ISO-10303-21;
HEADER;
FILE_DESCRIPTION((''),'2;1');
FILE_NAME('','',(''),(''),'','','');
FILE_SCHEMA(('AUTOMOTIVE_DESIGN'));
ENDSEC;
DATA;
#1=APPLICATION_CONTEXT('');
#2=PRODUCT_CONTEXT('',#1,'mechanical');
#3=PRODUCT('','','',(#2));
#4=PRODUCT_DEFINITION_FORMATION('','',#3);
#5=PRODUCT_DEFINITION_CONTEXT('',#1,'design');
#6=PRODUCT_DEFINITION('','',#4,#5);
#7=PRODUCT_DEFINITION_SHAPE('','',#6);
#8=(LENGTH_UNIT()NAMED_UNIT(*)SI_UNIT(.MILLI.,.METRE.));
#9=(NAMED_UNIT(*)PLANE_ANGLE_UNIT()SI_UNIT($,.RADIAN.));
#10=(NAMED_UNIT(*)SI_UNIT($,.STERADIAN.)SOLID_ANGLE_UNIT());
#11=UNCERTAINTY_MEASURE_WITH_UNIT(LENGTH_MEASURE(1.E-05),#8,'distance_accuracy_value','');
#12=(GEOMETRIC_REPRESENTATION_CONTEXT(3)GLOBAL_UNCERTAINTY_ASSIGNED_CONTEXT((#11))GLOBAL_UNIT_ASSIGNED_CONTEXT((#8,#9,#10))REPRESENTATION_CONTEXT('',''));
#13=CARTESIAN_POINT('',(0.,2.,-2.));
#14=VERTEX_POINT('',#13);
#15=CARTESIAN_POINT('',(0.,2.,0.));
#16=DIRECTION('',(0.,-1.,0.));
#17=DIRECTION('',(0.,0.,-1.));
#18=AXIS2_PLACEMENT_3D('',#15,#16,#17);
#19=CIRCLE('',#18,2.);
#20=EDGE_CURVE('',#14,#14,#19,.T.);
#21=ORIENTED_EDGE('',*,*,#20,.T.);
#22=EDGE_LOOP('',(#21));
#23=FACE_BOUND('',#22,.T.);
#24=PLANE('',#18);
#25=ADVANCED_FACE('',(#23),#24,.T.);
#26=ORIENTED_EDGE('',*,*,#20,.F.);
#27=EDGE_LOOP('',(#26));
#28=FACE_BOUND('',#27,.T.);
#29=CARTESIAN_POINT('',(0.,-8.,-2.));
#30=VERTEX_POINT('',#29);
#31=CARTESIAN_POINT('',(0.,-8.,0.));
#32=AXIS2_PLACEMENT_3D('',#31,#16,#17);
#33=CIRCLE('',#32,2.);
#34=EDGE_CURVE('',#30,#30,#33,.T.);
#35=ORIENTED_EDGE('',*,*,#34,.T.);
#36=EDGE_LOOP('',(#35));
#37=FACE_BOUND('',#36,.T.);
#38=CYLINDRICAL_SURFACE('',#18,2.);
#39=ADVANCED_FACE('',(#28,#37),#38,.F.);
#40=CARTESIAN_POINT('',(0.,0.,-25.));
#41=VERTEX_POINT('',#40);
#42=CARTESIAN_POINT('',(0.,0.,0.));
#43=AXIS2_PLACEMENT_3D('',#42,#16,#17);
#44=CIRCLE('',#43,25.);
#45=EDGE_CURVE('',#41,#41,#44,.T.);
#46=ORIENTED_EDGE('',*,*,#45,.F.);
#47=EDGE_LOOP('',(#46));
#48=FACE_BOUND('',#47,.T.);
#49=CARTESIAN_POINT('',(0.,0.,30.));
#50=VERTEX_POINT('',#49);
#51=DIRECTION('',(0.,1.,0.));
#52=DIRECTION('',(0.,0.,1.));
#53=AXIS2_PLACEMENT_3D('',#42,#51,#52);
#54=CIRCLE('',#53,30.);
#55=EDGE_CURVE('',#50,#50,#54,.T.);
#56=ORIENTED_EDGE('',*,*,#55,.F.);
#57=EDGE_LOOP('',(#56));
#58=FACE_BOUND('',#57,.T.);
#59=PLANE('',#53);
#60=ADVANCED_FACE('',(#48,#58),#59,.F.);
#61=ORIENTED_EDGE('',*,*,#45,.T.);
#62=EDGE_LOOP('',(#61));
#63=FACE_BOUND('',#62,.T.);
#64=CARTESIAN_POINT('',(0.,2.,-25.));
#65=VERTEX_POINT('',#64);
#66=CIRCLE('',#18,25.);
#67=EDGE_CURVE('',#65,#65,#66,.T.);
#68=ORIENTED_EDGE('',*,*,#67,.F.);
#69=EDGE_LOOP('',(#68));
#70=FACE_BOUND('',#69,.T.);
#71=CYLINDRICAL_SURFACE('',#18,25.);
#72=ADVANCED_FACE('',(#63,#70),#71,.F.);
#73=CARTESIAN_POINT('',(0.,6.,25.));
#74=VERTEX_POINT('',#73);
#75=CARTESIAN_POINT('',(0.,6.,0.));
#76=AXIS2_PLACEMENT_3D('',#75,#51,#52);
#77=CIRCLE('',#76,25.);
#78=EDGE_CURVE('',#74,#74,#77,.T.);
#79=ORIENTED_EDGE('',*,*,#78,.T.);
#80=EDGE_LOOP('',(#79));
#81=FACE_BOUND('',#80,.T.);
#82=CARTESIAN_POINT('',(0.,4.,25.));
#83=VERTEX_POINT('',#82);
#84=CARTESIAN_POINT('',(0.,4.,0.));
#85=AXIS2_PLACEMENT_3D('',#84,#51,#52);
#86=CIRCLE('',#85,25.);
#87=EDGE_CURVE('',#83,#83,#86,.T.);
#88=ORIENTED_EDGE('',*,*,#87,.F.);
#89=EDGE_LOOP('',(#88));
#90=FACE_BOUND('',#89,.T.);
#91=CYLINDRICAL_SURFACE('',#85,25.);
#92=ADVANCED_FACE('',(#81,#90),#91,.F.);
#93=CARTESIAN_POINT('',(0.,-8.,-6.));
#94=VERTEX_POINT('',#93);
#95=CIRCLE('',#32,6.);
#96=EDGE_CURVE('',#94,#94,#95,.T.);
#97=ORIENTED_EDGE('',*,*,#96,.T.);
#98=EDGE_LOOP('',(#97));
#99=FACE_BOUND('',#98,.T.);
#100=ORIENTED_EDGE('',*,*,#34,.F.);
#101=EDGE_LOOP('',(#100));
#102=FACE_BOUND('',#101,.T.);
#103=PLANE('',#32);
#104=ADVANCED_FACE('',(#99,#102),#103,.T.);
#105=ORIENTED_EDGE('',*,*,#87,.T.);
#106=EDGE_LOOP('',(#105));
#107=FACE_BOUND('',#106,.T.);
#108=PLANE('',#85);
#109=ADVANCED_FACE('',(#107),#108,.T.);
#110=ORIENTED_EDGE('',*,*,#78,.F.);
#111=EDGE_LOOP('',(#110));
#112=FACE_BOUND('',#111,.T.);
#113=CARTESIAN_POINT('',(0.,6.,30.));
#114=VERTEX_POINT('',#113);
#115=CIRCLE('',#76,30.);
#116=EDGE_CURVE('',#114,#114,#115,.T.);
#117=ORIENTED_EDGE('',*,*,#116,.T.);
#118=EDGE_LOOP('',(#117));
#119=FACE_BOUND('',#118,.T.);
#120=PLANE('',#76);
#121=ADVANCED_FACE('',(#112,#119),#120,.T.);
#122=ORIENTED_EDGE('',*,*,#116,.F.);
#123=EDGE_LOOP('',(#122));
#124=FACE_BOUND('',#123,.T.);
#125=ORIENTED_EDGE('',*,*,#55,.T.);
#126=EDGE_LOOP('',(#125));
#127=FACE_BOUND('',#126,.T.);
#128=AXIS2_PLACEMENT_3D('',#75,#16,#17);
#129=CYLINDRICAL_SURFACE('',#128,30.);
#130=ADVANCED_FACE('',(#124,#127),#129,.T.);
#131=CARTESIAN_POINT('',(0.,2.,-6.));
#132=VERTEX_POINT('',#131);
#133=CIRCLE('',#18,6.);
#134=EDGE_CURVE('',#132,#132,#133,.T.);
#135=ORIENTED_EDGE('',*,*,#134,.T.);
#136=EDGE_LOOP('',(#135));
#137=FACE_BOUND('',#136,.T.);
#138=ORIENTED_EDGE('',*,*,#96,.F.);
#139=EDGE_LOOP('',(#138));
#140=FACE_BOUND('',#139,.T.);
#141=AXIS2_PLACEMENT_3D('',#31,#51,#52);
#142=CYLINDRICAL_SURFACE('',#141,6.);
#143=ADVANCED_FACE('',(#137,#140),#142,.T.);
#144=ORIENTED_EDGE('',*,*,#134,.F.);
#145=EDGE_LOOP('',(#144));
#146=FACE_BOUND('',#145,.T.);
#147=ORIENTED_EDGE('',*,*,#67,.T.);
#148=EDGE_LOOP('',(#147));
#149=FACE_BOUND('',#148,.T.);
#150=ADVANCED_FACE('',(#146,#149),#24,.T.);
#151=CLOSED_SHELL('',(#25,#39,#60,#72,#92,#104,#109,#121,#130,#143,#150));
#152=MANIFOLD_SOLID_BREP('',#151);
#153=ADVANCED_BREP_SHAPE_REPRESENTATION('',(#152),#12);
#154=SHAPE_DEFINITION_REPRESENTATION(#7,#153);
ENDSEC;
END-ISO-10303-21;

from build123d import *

# Parameters (mm, degrees)
SKETCH_1_R          = 30
EXTRUDE_3_DEPTH     = 6
SKETCH_6_R          = 25
CUT_EXTRUDE_1_DEPTH = 2
CUT_EXTRUDE_START   = 4
SKETCH_4_R          = 25
CUT_EXTRUDE_2_DEPTH = 2
SKETCH_8_R          = 6
EXTRUDE_5_DEPTH     = 10
SKETCH_10_R         = 2
CUT_EXTRUDE_6_DEPTH = 10


with BuildPart() as part:
    # 草图1 → 凸台-拉伸3 (new body)
    with BuildSketch(Plane(origin=(0, 0, 0), x_dir=(1, 0, 0), z_dir=(0, 1, 0))):
        with Locations(Location((0, 0, 0), (0, 0, 270))):
            Circle(SKETCH_1_R)
    extrude(amount=EXTRUDE_3_DEPTH)

    # 草图6 → 切除-拉伸1 (cut)
    with BuildSketch(Plane.XZ):
        with Locations(Location((0, 0, 0), (0, 0, 270))):
            Circle(SKETCH_6_R)
    extrude(amount=-CUT_EXTRUDE_1_DEPTH, mode=Mode.SUBTRACT)

    # 草图4 → 切除-拉伸2 (cut)
    with BuildSketch(Plane(origin=(0, 0, 0), x_dir=(1, 0, 0), z_dir=(0, 1, 0)).offset(CUT_EXTRUDE_START)):
        with Locations(Location((0, 0, 0), (0, 0, 90))):
            Circle(SKETCH_4_R)
    extrude(amount=CUT_EXTRUDE_2_DEPTH, mode=Mode.SUBTRACT)

    # 草图8 → 凸台-拉伸5 (add)
    with BuildSketch(Plane(origin=(0, 2, 0), x_dir=(-1, 0, 0), z_dir=(0, -1, 0))):
        with Locations(Location((0, 0, 0), (0, 0, 90))):
            Circle(SKETCH_8_R)
    extrude(amount=EXTRUDE_5_DEPTH)

    # 草图10 → 切除-拉伸6 (cut)
    with BuildSketch(Plane(origin=(0, -8, 0), x_dir=(-1, 0, 0), z_dir=(0, -1, 0))):
        with Locations(Location((0, 0, 0), (0, 0, 90))):
            Circle(SKETCH_10_R)
    extrude(amount=-CUT_EXTRUDE_6_DEPTH, mode=Mode.SUBTRACT)


solid = part.part
